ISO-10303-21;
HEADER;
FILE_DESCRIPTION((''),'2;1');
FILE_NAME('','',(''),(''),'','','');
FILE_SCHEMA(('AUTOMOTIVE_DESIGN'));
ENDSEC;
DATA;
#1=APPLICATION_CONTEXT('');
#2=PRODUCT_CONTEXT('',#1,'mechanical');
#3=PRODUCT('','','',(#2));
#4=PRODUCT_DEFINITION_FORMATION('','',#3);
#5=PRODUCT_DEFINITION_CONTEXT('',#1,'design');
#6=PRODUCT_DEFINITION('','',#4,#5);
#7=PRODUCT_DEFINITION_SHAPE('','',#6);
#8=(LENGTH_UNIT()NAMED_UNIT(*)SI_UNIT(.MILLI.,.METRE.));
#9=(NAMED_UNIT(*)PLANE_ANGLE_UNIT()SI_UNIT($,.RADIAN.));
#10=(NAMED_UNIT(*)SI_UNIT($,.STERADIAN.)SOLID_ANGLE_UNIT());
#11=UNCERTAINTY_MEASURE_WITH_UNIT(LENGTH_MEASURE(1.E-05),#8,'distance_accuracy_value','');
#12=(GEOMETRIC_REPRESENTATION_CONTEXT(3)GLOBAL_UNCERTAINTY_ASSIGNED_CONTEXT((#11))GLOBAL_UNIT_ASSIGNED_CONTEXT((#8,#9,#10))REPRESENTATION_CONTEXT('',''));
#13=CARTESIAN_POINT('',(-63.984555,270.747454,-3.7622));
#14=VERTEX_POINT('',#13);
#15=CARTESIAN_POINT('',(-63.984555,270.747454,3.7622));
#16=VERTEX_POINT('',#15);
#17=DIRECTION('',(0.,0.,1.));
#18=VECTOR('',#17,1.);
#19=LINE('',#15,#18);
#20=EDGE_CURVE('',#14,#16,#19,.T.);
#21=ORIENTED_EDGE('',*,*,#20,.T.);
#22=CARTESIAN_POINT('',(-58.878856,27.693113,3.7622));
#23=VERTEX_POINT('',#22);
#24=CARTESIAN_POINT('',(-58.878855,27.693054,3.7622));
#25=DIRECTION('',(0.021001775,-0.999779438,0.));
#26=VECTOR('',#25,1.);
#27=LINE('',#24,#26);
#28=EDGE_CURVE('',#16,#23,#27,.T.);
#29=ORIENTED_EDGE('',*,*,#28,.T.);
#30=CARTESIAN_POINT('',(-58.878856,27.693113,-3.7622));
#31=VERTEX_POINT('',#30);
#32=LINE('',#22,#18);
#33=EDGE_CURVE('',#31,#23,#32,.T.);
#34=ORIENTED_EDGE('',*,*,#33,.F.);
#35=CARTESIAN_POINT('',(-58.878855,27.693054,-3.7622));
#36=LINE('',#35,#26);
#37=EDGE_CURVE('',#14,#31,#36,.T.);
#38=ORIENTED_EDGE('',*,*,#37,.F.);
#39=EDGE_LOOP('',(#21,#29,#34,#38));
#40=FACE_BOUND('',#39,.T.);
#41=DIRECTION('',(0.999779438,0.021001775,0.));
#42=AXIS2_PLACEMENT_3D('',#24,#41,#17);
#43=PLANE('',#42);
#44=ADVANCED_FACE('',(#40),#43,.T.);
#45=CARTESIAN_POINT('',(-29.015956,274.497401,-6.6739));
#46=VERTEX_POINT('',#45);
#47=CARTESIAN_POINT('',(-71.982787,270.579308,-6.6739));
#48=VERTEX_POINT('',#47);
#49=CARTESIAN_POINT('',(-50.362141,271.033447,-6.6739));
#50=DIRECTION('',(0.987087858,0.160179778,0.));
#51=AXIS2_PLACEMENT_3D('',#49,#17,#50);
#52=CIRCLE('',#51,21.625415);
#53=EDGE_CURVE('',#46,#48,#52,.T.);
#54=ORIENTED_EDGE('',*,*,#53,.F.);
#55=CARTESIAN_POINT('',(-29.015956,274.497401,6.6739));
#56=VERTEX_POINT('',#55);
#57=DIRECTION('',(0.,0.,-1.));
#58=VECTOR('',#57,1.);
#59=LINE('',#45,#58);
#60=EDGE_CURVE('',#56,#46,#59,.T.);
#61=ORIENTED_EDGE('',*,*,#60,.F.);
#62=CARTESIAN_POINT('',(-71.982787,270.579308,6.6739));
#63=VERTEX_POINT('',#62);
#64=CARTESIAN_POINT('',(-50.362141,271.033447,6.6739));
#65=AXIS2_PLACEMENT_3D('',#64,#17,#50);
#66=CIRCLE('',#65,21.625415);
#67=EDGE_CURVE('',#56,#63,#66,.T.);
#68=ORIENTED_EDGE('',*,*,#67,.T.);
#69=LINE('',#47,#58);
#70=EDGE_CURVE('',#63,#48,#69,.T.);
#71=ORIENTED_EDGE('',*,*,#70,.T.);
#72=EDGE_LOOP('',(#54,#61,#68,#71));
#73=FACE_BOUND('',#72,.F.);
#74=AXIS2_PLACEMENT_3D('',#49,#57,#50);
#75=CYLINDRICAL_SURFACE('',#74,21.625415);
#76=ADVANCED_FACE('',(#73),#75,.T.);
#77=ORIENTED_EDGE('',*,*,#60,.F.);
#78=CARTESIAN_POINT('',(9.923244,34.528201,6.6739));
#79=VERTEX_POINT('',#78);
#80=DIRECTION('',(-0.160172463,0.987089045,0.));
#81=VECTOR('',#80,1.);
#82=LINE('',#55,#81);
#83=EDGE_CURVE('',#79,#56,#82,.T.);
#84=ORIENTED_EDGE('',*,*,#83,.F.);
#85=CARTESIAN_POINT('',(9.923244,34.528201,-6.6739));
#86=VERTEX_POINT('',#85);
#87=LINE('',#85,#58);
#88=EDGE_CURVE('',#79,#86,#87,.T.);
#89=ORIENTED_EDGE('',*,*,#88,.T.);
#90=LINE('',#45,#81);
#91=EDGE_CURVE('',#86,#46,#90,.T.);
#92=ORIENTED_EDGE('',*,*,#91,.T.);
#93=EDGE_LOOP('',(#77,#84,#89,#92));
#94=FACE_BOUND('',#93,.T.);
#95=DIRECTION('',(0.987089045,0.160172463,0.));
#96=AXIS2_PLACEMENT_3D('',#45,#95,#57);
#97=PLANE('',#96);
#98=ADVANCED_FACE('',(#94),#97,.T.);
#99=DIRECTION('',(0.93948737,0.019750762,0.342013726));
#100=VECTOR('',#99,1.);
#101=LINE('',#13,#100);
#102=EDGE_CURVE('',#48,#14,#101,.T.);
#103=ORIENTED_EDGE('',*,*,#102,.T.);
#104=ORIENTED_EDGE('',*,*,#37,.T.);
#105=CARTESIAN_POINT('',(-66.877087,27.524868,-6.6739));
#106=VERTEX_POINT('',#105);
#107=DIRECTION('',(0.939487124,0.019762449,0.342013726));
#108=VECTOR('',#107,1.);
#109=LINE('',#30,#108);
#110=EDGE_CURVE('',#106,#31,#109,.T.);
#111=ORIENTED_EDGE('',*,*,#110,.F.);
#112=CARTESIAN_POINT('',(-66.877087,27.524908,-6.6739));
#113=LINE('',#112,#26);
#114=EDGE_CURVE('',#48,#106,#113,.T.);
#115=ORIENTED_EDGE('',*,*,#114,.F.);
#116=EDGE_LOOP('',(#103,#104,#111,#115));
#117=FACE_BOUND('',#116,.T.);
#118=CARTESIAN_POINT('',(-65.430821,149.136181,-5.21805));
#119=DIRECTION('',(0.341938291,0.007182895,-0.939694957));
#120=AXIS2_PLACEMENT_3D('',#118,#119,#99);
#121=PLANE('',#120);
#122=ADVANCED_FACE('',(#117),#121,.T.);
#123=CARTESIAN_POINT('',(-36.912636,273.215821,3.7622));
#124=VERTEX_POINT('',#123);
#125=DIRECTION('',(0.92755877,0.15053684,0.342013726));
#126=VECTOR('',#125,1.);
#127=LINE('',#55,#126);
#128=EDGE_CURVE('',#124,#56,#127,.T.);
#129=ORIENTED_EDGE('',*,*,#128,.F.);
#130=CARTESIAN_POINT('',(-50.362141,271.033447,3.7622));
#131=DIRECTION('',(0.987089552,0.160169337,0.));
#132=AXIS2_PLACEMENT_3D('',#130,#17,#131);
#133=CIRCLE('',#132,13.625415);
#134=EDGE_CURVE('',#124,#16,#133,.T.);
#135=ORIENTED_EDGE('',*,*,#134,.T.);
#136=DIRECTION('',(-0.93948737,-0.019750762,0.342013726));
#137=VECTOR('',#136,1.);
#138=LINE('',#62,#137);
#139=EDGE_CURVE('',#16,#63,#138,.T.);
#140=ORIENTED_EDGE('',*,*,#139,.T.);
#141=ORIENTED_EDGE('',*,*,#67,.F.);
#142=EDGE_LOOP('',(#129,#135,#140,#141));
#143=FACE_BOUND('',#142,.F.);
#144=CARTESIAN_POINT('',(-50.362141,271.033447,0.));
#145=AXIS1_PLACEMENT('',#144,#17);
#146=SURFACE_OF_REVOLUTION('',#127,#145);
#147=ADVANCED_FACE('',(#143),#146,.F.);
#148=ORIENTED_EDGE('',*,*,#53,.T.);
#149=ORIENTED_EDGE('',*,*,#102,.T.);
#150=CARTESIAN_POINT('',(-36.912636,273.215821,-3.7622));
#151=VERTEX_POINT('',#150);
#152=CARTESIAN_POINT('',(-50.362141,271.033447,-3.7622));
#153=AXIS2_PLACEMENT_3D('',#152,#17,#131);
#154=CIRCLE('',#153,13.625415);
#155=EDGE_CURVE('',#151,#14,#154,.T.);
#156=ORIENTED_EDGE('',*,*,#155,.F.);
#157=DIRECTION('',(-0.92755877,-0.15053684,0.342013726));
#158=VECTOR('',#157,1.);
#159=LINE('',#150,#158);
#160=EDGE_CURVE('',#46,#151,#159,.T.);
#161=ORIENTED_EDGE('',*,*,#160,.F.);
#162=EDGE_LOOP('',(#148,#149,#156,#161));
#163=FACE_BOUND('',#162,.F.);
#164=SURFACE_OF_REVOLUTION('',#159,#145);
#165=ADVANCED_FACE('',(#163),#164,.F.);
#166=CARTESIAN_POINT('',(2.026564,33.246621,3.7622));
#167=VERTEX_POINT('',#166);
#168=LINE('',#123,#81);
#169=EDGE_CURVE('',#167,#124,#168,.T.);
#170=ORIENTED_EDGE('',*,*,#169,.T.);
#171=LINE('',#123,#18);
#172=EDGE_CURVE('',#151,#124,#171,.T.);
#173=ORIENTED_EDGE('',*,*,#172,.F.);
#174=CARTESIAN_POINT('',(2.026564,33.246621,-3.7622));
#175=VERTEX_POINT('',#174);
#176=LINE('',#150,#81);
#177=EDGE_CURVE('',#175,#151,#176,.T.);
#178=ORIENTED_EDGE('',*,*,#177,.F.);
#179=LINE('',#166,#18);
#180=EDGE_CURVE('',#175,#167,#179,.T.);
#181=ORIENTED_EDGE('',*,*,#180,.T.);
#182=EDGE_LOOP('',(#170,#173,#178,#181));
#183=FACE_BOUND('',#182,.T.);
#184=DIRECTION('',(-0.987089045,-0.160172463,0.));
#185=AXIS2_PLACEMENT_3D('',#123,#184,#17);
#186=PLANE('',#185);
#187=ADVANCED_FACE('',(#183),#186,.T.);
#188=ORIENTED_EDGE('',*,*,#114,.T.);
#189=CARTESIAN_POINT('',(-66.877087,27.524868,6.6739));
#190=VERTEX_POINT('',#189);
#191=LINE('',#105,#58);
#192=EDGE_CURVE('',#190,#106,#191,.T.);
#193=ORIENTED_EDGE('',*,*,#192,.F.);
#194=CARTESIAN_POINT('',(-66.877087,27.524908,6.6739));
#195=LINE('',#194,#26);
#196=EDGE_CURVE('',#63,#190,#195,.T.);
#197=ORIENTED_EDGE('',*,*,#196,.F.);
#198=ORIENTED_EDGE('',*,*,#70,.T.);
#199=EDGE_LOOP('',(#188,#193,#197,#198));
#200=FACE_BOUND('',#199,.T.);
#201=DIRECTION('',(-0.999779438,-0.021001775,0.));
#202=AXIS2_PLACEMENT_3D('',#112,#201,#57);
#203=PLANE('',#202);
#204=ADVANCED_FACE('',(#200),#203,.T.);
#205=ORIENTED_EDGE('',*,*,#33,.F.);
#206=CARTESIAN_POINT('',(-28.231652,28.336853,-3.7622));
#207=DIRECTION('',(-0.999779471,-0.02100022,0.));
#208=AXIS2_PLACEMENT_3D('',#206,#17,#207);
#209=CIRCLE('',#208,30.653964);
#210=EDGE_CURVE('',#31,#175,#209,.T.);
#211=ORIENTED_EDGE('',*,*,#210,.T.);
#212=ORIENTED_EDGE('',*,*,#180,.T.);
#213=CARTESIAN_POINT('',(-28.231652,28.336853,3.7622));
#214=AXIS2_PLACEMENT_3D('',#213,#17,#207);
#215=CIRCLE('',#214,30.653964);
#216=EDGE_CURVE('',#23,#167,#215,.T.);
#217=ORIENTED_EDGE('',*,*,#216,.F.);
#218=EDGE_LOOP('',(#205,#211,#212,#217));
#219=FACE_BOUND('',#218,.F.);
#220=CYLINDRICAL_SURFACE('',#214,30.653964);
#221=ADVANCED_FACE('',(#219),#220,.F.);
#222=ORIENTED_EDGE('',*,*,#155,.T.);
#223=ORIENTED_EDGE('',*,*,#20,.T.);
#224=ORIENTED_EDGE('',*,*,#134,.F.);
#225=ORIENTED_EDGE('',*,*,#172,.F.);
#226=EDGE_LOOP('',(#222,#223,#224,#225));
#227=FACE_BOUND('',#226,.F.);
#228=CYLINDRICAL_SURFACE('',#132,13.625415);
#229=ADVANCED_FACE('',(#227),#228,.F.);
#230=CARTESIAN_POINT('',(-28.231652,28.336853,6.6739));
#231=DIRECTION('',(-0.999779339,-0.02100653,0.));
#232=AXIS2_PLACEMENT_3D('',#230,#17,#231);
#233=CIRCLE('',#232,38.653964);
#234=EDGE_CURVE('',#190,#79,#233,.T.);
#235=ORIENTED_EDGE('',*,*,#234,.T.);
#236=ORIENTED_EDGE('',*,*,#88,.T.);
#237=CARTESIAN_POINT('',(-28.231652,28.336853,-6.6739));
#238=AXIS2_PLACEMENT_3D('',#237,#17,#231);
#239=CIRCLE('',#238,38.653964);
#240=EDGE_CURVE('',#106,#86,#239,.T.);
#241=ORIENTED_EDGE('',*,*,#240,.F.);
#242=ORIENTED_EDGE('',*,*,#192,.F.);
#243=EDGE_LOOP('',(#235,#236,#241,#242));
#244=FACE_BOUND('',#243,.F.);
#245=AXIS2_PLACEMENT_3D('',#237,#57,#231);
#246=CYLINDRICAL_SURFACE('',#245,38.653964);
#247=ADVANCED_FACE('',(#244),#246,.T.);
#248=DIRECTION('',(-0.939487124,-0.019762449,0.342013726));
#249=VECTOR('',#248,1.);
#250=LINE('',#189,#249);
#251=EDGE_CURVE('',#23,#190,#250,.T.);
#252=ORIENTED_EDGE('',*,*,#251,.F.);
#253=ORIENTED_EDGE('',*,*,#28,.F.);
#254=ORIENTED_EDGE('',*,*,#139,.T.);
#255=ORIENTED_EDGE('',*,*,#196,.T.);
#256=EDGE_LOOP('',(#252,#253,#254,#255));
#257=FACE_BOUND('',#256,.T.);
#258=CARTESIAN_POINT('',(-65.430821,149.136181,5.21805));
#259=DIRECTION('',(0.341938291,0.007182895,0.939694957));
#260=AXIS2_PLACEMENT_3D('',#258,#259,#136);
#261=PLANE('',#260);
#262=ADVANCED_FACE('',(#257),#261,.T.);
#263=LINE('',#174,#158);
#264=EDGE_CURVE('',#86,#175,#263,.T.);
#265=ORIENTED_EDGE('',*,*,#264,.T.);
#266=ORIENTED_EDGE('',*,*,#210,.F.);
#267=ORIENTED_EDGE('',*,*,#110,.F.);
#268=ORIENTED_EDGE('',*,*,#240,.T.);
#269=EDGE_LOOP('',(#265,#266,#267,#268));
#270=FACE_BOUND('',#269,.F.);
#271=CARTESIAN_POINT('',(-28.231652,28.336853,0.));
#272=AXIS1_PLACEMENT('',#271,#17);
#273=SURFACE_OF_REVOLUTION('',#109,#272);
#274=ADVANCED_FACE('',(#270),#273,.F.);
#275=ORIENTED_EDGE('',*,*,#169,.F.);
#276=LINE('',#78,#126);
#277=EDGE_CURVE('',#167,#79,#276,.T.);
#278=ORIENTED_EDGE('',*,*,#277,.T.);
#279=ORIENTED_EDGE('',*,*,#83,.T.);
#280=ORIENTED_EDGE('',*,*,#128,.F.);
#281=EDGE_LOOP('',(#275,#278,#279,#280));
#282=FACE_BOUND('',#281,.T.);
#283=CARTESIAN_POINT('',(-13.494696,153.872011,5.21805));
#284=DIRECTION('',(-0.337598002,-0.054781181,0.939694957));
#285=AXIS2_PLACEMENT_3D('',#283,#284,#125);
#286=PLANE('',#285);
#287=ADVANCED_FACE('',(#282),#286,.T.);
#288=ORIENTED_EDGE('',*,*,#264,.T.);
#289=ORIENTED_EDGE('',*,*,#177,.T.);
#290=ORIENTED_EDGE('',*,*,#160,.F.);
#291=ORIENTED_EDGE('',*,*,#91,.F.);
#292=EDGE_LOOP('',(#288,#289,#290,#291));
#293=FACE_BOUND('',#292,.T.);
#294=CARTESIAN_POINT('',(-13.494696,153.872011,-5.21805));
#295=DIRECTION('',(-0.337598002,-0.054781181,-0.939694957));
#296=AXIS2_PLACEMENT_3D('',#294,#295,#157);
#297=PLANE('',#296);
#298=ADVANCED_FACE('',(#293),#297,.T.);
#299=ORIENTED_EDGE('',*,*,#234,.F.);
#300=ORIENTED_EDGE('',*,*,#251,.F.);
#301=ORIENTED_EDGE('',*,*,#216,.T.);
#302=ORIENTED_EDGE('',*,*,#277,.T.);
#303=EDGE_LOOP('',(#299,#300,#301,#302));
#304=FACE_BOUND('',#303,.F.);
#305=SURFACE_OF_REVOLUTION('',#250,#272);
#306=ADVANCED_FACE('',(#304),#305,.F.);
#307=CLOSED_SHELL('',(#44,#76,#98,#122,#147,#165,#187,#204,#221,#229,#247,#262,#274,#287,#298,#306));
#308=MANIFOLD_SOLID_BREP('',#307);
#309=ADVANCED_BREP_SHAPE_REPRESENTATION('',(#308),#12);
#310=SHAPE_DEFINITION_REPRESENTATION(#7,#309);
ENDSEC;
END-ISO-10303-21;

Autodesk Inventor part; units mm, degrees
ref_plane "YZ Plane" through (0, 0, 0) normal (1, 0, 0) x (0, 1, 0)
ref_plane "XZ Plane" through (0, 0, 0) normal (0, 1, 0) x (-1, 0, 0)
sketch "Эскизная траектория" plane through (0, 0, 0) normal (0, 0, 1) x (1, 0, 0)
  arc A0 (-63.6524, 27.5927) -> (6.7395, 34.0115) centre (-28.2317, 28.3368) ccw
  arc A1 (-32.1997, 273.9807) -> (-68.7581, 270.6471) centre (-50.3621, 271.0335) ccw
  line L0 (-32.1997, 273.9807) -> (6.7395, 34.0115)
  line L1 (-63.6524, 27.5927) -> (-68.7581, 270.6471)
ref_plane "Плоскость сечения" through (6.7395, 34.0115, 0) normal (-0.1602, 0.9871, 0) x (0, 0, 1)
sketch "Сечение" plane through (6.7395, 34.0115, 0) normal (-0.1602, 0.9871, 0) x (0, 0, 1)
  line L0 (0, 3.2254) -> (0, -4.7746) construction
  line L1 (-5.5, 0) -> (5.5, 0) construction
  line L2 (-6.6739, 3.2254) -> (6.6739, 3.2254)
  line L3 (6.6739, 3.2254) -> (3.7622, -4.7746)
  line L4 (3.7622, -4.7746) -> (-3.7622, -4.7746)
  line L5 (-3.7622, -4.7746) -> (-6.6739, 3.2254)
  point P0 (0, 0)
  point P1 (0, 0)
  point P2 (0, 0)
  dimension "d0" = 11
  dimension "d1" = 3.2254
  dimension "d2" = 40
  dimension "d3" = 8
sweep "Ремень" add profiles "Сечение" path "Эскизная траектория"
equation "\"d0\" = da_Bw"
equation "\"d1\" = da_Hw"
equation "\"d2\" = da_Alfa"
equation "\"d3\" = da_H"
equation "\"da_Alfa\" = 40deg"
equation "\"da_H\" = 8"
equation "\"da_Bw\" = 11"
equation "\"da_Hw\" = 3.22535"
properties part number "Клиновой ремень" material "Rubber"
